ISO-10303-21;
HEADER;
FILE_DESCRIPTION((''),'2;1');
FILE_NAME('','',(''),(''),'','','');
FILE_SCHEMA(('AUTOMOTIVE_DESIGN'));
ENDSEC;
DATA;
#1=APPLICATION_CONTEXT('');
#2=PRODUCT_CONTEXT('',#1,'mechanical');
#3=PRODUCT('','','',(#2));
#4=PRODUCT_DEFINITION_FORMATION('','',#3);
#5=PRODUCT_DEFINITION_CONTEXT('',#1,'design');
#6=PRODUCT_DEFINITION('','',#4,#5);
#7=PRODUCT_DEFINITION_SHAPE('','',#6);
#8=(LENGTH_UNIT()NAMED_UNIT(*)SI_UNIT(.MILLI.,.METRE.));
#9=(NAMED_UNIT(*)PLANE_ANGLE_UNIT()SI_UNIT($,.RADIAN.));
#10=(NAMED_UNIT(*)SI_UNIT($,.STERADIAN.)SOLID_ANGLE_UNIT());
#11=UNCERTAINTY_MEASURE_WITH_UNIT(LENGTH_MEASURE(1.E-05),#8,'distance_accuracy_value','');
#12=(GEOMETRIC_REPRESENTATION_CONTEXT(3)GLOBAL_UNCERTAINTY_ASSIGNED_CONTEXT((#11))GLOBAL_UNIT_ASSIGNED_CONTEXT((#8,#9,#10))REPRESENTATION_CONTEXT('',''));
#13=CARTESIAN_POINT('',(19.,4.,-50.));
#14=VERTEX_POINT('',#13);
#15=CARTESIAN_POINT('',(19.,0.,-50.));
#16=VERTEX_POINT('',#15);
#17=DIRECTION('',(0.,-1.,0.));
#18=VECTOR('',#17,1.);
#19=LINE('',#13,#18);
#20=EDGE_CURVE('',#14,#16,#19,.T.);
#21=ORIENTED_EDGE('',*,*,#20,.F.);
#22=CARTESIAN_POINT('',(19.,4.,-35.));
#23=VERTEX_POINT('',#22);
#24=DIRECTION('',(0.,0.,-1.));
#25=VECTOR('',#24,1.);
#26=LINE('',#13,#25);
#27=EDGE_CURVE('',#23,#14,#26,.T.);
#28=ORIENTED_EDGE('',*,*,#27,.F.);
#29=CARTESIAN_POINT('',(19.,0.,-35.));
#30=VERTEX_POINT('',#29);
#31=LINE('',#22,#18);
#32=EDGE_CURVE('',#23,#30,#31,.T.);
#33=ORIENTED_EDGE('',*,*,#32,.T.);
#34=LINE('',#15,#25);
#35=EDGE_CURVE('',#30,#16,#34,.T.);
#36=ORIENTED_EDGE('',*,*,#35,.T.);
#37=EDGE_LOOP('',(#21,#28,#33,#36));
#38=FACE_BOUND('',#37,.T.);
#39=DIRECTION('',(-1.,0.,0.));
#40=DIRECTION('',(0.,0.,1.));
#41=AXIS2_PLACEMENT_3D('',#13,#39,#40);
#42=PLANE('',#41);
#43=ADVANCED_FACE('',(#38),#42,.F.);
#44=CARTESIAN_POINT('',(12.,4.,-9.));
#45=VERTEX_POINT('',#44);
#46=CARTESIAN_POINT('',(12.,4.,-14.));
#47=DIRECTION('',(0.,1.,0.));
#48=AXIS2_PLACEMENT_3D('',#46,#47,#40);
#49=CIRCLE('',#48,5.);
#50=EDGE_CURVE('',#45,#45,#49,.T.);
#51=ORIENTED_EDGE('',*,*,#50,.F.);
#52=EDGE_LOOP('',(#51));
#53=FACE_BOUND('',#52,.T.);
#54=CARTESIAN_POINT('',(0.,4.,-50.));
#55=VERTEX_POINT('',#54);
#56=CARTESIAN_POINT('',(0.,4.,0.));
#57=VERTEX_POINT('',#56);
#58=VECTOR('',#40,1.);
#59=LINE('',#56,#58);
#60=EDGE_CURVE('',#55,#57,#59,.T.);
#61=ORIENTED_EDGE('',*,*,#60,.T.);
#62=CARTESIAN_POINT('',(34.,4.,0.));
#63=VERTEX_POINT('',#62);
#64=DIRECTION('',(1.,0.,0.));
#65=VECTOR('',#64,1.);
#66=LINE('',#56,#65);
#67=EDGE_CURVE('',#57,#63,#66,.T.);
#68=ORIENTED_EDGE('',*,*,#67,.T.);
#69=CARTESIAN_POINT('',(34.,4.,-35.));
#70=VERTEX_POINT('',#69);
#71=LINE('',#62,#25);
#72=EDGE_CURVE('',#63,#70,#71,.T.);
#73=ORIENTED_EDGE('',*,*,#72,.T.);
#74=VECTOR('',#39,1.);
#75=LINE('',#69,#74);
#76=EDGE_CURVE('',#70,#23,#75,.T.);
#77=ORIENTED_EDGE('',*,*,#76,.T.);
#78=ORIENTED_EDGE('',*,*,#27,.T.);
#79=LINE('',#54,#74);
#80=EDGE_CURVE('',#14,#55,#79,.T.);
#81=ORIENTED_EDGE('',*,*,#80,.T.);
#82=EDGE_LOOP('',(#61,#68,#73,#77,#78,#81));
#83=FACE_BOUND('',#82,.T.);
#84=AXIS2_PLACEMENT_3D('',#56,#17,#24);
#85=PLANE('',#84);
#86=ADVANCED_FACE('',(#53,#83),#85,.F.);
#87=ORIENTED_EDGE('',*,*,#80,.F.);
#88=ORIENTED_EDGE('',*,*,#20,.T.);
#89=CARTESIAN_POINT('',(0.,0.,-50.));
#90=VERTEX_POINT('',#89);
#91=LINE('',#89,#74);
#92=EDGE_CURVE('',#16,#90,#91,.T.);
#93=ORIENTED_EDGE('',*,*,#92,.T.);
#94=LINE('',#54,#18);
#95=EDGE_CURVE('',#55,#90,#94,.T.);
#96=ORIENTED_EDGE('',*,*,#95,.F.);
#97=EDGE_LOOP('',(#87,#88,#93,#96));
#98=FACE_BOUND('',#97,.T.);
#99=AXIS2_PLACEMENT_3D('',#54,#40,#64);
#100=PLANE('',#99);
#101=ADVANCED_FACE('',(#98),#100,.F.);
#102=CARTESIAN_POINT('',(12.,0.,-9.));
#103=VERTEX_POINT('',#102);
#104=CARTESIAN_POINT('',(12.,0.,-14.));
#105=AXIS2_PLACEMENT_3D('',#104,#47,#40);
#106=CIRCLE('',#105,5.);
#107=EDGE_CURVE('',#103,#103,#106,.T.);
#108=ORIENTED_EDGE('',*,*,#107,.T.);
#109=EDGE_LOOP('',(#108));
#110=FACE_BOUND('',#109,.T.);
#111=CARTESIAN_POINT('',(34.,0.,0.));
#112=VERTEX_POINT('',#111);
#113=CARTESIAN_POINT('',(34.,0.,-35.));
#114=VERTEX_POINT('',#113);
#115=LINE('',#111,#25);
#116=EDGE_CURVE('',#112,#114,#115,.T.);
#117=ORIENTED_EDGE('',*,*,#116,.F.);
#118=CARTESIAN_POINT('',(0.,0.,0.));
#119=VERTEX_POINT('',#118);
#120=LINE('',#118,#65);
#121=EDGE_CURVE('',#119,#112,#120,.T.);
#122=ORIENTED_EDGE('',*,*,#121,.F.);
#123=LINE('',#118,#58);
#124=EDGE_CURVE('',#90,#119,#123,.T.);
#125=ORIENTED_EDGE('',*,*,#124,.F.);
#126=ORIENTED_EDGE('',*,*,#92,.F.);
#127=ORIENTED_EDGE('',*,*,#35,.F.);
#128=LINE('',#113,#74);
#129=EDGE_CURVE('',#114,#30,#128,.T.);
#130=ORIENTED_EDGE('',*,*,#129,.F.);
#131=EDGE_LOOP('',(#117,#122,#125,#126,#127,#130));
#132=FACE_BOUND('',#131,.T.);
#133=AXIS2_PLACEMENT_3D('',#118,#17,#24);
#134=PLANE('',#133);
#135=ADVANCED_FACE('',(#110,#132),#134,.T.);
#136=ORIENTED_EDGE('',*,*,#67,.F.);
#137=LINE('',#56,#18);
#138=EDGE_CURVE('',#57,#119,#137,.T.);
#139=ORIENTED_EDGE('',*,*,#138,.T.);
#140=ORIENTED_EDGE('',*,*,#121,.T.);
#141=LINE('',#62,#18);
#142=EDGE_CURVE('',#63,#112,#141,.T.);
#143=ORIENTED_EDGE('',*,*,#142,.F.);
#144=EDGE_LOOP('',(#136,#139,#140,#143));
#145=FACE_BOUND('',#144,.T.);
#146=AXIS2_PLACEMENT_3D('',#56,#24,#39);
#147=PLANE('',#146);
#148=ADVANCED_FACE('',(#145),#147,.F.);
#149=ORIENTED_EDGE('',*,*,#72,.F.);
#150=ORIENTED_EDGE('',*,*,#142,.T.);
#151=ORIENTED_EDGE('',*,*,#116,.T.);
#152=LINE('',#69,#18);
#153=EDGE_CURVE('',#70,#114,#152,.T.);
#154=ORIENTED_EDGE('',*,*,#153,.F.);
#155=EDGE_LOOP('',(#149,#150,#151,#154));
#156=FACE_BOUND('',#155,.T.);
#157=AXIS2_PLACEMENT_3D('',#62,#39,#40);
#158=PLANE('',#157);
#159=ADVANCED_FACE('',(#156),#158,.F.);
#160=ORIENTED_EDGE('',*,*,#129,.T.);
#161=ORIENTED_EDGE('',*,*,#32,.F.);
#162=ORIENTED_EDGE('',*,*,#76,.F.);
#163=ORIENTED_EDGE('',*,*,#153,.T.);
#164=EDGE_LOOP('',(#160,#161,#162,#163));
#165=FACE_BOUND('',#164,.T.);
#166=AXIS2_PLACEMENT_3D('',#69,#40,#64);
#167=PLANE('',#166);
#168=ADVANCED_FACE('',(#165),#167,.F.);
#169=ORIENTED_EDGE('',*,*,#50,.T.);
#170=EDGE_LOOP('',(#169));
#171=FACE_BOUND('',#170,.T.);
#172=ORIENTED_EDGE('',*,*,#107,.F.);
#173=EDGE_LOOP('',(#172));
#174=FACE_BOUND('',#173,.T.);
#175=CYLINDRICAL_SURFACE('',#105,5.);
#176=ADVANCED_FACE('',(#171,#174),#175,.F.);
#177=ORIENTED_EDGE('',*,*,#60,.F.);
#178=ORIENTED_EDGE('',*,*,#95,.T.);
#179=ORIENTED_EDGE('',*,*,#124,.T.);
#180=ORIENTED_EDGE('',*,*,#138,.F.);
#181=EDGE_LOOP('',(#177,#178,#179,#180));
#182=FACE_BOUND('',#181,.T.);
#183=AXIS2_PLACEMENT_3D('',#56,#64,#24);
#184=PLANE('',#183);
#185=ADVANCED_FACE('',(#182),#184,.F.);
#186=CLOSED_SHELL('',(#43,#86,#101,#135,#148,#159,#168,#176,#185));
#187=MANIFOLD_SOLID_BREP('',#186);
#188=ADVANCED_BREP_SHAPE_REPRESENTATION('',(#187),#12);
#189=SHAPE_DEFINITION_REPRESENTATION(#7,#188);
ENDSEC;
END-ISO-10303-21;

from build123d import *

# Parameters (mm, degrees)
BOSS_EXTRUDE1_DEPTH = 4
SKETCH2_R           = 5
CUT_EXTRUDE1_DEPTH  = 4


with BuildPart() as part:
    # Sketch1 → Boss-Extrude1 (new body)
    with BuildSketch(Plane(origin=(0, 0, 0), x_dir=(1, 0, 0), z_dir=(0, 1, 0))):
        Polygon((0, 0), (34, 0), (34, 35), (19, 35), (19, 50), (0, 50), align=None)
    extrude(amount=BOSS_EXTRUDE1_DEPTH)

    # Sketch2 → Cut-Extrude1 (cut)
    with BuildSketch(Plane(origin=(0, 4, 0), x_dir=(1, 0, 0), z_dir=(0, 1, 0))):
        with Locations(Location((12, 14, 0), (0, 0, 270))):
            Circle(SKETCH2_R)
    extrude(amount=-CUT_EXTRUDE1_DEPTH, mode=Mode.SUBTRACT)


solid = part.part
